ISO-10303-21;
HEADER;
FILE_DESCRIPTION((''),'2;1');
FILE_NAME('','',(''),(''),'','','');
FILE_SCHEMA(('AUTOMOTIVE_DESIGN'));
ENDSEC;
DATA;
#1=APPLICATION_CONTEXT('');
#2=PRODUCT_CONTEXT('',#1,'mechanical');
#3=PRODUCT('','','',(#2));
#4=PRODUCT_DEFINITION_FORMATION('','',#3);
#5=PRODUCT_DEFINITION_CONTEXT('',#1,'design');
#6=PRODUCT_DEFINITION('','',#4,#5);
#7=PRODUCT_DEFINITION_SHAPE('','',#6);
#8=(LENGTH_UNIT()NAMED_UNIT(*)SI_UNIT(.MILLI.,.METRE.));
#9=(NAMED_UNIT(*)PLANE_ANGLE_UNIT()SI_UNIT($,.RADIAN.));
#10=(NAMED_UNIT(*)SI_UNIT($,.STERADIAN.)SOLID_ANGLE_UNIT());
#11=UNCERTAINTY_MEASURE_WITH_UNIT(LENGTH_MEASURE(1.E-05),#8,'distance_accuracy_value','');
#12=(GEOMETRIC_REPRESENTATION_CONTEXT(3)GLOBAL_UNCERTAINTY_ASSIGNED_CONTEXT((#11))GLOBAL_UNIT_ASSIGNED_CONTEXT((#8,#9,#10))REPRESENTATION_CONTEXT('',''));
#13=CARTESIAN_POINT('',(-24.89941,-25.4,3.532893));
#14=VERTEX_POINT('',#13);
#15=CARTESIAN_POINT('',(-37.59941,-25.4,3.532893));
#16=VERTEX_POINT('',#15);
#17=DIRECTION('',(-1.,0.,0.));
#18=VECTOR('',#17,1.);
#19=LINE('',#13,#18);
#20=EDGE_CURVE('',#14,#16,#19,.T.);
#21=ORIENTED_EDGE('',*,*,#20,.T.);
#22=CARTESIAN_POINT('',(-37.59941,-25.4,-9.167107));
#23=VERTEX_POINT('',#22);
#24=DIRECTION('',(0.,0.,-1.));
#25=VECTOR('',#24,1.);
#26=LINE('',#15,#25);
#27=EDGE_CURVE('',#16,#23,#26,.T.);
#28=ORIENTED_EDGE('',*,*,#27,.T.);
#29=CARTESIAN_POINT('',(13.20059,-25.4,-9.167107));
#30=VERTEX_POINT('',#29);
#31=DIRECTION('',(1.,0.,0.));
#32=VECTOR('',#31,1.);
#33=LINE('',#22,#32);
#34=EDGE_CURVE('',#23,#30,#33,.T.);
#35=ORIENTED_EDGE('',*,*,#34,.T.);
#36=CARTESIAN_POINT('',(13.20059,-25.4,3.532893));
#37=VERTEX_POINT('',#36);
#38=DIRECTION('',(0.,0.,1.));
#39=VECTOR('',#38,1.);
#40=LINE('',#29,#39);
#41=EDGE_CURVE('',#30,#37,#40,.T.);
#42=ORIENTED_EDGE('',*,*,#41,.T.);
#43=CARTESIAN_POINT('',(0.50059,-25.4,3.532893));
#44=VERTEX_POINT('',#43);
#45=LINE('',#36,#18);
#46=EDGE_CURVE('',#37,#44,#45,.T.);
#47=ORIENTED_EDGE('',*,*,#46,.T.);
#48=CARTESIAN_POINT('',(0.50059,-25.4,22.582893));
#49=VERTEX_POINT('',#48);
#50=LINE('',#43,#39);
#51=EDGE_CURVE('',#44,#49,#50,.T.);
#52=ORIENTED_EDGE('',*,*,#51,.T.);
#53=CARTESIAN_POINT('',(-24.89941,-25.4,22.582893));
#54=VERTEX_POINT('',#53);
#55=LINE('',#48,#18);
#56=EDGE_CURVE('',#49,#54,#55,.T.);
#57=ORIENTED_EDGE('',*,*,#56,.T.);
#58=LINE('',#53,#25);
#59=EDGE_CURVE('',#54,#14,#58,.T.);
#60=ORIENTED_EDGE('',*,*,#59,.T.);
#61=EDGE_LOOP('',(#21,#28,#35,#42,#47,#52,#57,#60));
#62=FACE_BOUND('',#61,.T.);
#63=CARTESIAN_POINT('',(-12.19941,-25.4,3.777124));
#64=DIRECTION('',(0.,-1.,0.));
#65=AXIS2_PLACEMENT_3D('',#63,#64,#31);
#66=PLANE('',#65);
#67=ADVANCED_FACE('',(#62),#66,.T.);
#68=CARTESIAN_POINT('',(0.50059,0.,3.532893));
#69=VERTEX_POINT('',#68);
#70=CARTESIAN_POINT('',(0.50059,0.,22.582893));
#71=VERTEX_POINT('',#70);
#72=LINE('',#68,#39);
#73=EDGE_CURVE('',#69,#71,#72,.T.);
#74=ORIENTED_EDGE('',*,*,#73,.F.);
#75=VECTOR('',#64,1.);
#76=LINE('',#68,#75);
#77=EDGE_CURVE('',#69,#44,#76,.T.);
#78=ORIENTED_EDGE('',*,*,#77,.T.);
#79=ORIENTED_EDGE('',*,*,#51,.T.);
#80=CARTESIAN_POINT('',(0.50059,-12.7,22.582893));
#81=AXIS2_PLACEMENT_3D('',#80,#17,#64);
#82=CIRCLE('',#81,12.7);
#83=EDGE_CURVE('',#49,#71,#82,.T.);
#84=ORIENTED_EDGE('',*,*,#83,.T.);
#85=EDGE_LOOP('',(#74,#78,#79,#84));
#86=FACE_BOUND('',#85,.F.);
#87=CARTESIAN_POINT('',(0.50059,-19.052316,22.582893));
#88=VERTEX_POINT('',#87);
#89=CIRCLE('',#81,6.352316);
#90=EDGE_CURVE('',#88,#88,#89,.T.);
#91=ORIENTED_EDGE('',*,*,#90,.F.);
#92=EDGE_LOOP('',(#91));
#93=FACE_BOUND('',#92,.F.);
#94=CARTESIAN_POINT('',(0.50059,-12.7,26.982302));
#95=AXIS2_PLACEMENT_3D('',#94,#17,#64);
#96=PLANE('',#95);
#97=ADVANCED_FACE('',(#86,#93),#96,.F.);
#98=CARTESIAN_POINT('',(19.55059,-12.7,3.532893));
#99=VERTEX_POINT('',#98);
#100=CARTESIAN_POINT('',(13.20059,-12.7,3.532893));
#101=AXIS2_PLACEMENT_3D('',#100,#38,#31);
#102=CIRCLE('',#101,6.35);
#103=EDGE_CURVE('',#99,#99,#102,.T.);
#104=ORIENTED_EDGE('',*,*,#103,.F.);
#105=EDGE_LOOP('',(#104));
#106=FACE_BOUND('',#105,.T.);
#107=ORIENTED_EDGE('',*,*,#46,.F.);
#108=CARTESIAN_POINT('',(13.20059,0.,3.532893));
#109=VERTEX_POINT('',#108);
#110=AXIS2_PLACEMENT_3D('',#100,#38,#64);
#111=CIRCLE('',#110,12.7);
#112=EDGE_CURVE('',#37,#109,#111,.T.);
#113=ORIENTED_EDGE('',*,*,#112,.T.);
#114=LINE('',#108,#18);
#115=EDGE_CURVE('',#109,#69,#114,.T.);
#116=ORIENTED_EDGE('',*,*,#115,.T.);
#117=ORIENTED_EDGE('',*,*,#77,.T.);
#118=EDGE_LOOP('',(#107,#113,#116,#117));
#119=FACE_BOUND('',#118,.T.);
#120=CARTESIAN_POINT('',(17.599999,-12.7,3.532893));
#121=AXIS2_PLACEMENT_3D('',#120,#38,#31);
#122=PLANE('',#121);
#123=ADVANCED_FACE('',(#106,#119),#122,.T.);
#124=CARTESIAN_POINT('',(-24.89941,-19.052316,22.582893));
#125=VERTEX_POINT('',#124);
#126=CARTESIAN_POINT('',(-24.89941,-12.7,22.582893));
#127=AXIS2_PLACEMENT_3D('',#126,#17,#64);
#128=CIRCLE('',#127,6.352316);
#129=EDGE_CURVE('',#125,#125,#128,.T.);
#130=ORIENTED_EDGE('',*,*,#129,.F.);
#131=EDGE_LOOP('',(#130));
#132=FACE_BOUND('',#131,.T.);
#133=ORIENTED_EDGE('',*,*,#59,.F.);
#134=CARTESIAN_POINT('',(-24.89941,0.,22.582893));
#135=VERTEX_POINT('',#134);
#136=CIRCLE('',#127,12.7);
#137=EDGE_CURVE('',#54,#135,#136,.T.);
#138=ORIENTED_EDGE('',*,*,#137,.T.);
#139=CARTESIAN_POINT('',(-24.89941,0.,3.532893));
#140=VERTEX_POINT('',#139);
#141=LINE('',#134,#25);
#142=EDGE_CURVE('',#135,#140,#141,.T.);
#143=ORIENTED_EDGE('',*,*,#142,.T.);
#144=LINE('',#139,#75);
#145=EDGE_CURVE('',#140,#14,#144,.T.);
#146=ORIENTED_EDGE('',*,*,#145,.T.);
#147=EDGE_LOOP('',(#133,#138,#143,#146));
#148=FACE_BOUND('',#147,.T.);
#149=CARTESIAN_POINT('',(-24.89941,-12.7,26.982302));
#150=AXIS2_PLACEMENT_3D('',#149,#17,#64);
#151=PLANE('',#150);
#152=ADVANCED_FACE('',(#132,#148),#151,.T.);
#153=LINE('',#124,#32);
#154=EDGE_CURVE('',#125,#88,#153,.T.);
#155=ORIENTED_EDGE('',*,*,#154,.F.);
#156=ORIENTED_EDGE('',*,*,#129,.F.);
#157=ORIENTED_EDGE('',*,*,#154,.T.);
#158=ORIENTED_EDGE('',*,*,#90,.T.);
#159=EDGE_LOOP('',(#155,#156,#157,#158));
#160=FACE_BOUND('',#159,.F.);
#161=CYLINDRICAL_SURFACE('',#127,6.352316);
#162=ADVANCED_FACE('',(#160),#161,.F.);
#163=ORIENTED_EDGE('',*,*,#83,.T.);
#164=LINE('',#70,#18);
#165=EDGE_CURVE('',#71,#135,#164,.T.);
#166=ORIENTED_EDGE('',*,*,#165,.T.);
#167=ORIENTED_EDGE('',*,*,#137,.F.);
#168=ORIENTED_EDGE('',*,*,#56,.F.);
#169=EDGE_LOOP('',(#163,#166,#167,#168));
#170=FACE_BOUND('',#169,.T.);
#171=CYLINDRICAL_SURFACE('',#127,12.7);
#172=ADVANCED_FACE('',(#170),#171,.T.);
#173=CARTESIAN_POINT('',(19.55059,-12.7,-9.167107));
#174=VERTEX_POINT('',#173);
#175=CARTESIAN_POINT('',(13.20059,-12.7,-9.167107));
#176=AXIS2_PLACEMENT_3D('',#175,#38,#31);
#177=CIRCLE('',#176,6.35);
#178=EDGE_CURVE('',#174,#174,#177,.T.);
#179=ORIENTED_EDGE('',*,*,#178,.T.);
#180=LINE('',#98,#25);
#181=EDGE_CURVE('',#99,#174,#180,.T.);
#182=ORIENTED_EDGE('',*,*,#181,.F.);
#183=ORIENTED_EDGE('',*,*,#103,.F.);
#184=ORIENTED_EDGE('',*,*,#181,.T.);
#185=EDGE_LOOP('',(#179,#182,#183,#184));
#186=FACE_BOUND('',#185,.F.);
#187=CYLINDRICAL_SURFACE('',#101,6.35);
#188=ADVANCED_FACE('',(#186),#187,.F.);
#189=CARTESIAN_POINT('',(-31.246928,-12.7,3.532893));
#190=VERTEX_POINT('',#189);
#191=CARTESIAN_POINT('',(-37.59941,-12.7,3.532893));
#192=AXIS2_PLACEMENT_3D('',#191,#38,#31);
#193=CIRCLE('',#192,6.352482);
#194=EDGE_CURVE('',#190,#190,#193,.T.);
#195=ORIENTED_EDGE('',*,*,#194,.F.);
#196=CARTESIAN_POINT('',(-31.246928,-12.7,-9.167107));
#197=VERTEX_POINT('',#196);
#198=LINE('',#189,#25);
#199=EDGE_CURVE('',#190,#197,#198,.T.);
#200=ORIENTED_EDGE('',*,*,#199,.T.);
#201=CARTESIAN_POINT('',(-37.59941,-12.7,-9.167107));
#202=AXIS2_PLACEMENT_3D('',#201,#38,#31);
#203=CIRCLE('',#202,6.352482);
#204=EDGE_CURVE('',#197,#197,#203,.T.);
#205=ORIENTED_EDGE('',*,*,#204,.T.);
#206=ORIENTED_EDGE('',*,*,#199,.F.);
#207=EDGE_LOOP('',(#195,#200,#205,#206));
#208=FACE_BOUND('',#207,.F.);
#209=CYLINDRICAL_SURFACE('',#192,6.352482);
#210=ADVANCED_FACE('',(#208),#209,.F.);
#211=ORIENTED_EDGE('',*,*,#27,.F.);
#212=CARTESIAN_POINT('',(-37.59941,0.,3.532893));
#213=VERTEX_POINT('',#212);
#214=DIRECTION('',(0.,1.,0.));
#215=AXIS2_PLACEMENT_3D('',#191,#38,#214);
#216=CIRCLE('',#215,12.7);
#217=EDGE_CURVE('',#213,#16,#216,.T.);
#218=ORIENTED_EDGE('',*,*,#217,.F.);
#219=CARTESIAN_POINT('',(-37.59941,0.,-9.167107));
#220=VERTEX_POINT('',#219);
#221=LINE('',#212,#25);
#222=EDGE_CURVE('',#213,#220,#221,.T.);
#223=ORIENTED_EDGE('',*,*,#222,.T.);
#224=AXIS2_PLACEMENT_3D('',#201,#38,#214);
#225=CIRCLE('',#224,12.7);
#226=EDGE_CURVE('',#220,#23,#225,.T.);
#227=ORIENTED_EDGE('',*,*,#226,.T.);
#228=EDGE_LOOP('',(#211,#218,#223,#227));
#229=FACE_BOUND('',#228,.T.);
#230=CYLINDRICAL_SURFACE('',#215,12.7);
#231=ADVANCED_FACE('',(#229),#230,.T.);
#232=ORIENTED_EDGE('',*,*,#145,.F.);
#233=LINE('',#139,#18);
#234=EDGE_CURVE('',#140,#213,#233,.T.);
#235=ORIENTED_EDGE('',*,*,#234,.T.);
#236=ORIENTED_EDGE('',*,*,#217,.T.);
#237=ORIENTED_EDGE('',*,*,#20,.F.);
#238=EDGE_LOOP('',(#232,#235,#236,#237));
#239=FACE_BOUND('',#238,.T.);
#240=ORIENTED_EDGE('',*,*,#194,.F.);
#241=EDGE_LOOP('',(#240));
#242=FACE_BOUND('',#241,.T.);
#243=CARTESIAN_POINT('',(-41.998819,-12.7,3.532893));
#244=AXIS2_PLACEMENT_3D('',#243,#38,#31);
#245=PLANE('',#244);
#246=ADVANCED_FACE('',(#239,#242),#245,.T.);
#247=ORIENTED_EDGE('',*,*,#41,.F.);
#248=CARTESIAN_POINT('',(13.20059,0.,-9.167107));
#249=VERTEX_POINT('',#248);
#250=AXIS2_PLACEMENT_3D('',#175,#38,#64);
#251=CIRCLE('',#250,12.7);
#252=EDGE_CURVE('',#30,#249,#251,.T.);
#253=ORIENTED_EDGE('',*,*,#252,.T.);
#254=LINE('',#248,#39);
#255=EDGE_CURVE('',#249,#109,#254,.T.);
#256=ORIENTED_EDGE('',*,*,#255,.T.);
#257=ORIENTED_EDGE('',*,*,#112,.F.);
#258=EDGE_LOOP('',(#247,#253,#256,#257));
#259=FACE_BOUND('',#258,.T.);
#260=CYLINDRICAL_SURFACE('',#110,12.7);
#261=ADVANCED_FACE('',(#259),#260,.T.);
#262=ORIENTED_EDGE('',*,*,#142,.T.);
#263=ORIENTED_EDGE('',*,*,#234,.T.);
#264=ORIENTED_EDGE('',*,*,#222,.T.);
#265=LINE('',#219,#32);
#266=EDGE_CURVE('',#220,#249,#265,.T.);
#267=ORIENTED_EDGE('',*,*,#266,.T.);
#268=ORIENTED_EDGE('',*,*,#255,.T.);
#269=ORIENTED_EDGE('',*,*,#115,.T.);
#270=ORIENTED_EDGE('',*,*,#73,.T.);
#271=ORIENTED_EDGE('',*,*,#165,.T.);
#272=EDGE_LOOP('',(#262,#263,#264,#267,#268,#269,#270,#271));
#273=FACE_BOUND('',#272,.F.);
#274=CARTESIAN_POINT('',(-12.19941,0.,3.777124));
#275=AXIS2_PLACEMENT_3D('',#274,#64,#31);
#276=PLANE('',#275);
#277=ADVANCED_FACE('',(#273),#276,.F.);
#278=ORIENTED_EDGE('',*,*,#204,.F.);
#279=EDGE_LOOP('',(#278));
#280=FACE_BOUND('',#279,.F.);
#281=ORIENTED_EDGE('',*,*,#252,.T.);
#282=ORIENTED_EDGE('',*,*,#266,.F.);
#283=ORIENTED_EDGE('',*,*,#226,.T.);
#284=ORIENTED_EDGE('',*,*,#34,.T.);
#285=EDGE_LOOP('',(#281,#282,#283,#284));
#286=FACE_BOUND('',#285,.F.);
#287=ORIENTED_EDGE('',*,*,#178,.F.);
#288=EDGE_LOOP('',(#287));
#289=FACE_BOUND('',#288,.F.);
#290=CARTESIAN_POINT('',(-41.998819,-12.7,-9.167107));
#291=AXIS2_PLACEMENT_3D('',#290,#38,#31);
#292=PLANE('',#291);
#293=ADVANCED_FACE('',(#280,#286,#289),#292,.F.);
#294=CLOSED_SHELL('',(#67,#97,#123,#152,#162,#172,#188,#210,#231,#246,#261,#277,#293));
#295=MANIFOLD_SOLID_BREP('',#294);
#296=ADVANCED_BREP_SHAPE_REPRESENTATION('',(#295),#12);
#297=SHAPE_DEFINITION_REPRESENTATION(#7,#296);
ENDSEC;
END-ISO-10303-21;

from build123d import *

# Parameters (mm, degrees)
F1_DEPTH  = 25.4
F3_DEPTH  = 12.7
F5_DEPTH  = 12.7
F7_DEPTH  = 25.4
F8_R      = 6.352316
F9_DEPTH  = 25.4
F10_R     = 6.352482
F12_DEPTH = 25.4
F11_R     = 6.35
F13_DEPTH = 25.4


with BuildPart() as f1:
    # F0 (on Front) → F1 (new body)
    with BuildSketch(Plane.XZ):
        Polygon((-37.59941, 3.532893), (-37.59941, -9.167107), (13.20059, -9.167107), (13.20059, 3.532893), (0.50059, 3.532893), (0.50059, 22.582893), (-24.89941, 22.582893), (-24.89941, 3.532893), align=None)
    extrude(amount=F1_DEPTH)

    # F2 (on face) → F3 (join)
    with BuildSketch(Plane.XY.offset(3.532893)):
        with BuildLine():
            Line((13.20059, 0), (13.20059, -25.4))
            ThreePointArc((13.20059, -25.4), (25.90059, -12.7), (13.20059, 0))
        make_face()
    extrude(amount=-F3_DEPTH)

    # F4 (on face) → F5 (join)
    with BuildSketch(Plane.XY.offset(3.532893)):
        with BuildLine():
            Line((-37.59941, -25.4), (-37.59941, 0))
            ThreePointArc((-37.59941, 0), (-50.29941, -12.7), (-37.59941, -25.4))
        make_face()
    extrude(amount=-F5_DEPTH)

    # F6 (on face) → F7 (join)
    with BuildSketch(Plane(origin=(-24.89941, 0, 0), x_dir=(0, -1, 0), z_dir=(-1, 0, 0))):
        with BuildLine():
            Line((0, 22.582893), (25.4, 22.582893))
            ThreePointArc((25.4, 22.582893), (12.7, 35.282893), (0, 22.582893))
        make_face()
    extrude(amount=-F7_DEPTH)

    # F8 (on face) → F9 (cut)
    with BuildSketch(Plane(origin=(-24.89941, 0, 0), x_dir=(0, -1, 0), z_dir=(-1, 0, 0))):
        with Locations((12.7, 22.582893)):
            Circle(F8_R)
    extrude(amount=-F9_DEPTH, mode=Mode.SUBTRACT)

    # F10 (on face) → F12 (cut)
    with BuildSketch(Plane.XY.offset(3.532893)):
        with Locations((-37.59941, -12.7)):
            Circle(F10_R)
    extrude(amount=-F12_DEPTH, mode=Mode.SUBTRACT)

    # F11 (on face) → F13 (cut)
    with BuildSketch(Plane.XY.offset(3.532893)):
        with Locations((13.20059, -12.7)):
            Circle(F11_R)
    extrude(amount=-F13_DEPTH, mode=Mode.SUBTRACT)


solid = f1.part
